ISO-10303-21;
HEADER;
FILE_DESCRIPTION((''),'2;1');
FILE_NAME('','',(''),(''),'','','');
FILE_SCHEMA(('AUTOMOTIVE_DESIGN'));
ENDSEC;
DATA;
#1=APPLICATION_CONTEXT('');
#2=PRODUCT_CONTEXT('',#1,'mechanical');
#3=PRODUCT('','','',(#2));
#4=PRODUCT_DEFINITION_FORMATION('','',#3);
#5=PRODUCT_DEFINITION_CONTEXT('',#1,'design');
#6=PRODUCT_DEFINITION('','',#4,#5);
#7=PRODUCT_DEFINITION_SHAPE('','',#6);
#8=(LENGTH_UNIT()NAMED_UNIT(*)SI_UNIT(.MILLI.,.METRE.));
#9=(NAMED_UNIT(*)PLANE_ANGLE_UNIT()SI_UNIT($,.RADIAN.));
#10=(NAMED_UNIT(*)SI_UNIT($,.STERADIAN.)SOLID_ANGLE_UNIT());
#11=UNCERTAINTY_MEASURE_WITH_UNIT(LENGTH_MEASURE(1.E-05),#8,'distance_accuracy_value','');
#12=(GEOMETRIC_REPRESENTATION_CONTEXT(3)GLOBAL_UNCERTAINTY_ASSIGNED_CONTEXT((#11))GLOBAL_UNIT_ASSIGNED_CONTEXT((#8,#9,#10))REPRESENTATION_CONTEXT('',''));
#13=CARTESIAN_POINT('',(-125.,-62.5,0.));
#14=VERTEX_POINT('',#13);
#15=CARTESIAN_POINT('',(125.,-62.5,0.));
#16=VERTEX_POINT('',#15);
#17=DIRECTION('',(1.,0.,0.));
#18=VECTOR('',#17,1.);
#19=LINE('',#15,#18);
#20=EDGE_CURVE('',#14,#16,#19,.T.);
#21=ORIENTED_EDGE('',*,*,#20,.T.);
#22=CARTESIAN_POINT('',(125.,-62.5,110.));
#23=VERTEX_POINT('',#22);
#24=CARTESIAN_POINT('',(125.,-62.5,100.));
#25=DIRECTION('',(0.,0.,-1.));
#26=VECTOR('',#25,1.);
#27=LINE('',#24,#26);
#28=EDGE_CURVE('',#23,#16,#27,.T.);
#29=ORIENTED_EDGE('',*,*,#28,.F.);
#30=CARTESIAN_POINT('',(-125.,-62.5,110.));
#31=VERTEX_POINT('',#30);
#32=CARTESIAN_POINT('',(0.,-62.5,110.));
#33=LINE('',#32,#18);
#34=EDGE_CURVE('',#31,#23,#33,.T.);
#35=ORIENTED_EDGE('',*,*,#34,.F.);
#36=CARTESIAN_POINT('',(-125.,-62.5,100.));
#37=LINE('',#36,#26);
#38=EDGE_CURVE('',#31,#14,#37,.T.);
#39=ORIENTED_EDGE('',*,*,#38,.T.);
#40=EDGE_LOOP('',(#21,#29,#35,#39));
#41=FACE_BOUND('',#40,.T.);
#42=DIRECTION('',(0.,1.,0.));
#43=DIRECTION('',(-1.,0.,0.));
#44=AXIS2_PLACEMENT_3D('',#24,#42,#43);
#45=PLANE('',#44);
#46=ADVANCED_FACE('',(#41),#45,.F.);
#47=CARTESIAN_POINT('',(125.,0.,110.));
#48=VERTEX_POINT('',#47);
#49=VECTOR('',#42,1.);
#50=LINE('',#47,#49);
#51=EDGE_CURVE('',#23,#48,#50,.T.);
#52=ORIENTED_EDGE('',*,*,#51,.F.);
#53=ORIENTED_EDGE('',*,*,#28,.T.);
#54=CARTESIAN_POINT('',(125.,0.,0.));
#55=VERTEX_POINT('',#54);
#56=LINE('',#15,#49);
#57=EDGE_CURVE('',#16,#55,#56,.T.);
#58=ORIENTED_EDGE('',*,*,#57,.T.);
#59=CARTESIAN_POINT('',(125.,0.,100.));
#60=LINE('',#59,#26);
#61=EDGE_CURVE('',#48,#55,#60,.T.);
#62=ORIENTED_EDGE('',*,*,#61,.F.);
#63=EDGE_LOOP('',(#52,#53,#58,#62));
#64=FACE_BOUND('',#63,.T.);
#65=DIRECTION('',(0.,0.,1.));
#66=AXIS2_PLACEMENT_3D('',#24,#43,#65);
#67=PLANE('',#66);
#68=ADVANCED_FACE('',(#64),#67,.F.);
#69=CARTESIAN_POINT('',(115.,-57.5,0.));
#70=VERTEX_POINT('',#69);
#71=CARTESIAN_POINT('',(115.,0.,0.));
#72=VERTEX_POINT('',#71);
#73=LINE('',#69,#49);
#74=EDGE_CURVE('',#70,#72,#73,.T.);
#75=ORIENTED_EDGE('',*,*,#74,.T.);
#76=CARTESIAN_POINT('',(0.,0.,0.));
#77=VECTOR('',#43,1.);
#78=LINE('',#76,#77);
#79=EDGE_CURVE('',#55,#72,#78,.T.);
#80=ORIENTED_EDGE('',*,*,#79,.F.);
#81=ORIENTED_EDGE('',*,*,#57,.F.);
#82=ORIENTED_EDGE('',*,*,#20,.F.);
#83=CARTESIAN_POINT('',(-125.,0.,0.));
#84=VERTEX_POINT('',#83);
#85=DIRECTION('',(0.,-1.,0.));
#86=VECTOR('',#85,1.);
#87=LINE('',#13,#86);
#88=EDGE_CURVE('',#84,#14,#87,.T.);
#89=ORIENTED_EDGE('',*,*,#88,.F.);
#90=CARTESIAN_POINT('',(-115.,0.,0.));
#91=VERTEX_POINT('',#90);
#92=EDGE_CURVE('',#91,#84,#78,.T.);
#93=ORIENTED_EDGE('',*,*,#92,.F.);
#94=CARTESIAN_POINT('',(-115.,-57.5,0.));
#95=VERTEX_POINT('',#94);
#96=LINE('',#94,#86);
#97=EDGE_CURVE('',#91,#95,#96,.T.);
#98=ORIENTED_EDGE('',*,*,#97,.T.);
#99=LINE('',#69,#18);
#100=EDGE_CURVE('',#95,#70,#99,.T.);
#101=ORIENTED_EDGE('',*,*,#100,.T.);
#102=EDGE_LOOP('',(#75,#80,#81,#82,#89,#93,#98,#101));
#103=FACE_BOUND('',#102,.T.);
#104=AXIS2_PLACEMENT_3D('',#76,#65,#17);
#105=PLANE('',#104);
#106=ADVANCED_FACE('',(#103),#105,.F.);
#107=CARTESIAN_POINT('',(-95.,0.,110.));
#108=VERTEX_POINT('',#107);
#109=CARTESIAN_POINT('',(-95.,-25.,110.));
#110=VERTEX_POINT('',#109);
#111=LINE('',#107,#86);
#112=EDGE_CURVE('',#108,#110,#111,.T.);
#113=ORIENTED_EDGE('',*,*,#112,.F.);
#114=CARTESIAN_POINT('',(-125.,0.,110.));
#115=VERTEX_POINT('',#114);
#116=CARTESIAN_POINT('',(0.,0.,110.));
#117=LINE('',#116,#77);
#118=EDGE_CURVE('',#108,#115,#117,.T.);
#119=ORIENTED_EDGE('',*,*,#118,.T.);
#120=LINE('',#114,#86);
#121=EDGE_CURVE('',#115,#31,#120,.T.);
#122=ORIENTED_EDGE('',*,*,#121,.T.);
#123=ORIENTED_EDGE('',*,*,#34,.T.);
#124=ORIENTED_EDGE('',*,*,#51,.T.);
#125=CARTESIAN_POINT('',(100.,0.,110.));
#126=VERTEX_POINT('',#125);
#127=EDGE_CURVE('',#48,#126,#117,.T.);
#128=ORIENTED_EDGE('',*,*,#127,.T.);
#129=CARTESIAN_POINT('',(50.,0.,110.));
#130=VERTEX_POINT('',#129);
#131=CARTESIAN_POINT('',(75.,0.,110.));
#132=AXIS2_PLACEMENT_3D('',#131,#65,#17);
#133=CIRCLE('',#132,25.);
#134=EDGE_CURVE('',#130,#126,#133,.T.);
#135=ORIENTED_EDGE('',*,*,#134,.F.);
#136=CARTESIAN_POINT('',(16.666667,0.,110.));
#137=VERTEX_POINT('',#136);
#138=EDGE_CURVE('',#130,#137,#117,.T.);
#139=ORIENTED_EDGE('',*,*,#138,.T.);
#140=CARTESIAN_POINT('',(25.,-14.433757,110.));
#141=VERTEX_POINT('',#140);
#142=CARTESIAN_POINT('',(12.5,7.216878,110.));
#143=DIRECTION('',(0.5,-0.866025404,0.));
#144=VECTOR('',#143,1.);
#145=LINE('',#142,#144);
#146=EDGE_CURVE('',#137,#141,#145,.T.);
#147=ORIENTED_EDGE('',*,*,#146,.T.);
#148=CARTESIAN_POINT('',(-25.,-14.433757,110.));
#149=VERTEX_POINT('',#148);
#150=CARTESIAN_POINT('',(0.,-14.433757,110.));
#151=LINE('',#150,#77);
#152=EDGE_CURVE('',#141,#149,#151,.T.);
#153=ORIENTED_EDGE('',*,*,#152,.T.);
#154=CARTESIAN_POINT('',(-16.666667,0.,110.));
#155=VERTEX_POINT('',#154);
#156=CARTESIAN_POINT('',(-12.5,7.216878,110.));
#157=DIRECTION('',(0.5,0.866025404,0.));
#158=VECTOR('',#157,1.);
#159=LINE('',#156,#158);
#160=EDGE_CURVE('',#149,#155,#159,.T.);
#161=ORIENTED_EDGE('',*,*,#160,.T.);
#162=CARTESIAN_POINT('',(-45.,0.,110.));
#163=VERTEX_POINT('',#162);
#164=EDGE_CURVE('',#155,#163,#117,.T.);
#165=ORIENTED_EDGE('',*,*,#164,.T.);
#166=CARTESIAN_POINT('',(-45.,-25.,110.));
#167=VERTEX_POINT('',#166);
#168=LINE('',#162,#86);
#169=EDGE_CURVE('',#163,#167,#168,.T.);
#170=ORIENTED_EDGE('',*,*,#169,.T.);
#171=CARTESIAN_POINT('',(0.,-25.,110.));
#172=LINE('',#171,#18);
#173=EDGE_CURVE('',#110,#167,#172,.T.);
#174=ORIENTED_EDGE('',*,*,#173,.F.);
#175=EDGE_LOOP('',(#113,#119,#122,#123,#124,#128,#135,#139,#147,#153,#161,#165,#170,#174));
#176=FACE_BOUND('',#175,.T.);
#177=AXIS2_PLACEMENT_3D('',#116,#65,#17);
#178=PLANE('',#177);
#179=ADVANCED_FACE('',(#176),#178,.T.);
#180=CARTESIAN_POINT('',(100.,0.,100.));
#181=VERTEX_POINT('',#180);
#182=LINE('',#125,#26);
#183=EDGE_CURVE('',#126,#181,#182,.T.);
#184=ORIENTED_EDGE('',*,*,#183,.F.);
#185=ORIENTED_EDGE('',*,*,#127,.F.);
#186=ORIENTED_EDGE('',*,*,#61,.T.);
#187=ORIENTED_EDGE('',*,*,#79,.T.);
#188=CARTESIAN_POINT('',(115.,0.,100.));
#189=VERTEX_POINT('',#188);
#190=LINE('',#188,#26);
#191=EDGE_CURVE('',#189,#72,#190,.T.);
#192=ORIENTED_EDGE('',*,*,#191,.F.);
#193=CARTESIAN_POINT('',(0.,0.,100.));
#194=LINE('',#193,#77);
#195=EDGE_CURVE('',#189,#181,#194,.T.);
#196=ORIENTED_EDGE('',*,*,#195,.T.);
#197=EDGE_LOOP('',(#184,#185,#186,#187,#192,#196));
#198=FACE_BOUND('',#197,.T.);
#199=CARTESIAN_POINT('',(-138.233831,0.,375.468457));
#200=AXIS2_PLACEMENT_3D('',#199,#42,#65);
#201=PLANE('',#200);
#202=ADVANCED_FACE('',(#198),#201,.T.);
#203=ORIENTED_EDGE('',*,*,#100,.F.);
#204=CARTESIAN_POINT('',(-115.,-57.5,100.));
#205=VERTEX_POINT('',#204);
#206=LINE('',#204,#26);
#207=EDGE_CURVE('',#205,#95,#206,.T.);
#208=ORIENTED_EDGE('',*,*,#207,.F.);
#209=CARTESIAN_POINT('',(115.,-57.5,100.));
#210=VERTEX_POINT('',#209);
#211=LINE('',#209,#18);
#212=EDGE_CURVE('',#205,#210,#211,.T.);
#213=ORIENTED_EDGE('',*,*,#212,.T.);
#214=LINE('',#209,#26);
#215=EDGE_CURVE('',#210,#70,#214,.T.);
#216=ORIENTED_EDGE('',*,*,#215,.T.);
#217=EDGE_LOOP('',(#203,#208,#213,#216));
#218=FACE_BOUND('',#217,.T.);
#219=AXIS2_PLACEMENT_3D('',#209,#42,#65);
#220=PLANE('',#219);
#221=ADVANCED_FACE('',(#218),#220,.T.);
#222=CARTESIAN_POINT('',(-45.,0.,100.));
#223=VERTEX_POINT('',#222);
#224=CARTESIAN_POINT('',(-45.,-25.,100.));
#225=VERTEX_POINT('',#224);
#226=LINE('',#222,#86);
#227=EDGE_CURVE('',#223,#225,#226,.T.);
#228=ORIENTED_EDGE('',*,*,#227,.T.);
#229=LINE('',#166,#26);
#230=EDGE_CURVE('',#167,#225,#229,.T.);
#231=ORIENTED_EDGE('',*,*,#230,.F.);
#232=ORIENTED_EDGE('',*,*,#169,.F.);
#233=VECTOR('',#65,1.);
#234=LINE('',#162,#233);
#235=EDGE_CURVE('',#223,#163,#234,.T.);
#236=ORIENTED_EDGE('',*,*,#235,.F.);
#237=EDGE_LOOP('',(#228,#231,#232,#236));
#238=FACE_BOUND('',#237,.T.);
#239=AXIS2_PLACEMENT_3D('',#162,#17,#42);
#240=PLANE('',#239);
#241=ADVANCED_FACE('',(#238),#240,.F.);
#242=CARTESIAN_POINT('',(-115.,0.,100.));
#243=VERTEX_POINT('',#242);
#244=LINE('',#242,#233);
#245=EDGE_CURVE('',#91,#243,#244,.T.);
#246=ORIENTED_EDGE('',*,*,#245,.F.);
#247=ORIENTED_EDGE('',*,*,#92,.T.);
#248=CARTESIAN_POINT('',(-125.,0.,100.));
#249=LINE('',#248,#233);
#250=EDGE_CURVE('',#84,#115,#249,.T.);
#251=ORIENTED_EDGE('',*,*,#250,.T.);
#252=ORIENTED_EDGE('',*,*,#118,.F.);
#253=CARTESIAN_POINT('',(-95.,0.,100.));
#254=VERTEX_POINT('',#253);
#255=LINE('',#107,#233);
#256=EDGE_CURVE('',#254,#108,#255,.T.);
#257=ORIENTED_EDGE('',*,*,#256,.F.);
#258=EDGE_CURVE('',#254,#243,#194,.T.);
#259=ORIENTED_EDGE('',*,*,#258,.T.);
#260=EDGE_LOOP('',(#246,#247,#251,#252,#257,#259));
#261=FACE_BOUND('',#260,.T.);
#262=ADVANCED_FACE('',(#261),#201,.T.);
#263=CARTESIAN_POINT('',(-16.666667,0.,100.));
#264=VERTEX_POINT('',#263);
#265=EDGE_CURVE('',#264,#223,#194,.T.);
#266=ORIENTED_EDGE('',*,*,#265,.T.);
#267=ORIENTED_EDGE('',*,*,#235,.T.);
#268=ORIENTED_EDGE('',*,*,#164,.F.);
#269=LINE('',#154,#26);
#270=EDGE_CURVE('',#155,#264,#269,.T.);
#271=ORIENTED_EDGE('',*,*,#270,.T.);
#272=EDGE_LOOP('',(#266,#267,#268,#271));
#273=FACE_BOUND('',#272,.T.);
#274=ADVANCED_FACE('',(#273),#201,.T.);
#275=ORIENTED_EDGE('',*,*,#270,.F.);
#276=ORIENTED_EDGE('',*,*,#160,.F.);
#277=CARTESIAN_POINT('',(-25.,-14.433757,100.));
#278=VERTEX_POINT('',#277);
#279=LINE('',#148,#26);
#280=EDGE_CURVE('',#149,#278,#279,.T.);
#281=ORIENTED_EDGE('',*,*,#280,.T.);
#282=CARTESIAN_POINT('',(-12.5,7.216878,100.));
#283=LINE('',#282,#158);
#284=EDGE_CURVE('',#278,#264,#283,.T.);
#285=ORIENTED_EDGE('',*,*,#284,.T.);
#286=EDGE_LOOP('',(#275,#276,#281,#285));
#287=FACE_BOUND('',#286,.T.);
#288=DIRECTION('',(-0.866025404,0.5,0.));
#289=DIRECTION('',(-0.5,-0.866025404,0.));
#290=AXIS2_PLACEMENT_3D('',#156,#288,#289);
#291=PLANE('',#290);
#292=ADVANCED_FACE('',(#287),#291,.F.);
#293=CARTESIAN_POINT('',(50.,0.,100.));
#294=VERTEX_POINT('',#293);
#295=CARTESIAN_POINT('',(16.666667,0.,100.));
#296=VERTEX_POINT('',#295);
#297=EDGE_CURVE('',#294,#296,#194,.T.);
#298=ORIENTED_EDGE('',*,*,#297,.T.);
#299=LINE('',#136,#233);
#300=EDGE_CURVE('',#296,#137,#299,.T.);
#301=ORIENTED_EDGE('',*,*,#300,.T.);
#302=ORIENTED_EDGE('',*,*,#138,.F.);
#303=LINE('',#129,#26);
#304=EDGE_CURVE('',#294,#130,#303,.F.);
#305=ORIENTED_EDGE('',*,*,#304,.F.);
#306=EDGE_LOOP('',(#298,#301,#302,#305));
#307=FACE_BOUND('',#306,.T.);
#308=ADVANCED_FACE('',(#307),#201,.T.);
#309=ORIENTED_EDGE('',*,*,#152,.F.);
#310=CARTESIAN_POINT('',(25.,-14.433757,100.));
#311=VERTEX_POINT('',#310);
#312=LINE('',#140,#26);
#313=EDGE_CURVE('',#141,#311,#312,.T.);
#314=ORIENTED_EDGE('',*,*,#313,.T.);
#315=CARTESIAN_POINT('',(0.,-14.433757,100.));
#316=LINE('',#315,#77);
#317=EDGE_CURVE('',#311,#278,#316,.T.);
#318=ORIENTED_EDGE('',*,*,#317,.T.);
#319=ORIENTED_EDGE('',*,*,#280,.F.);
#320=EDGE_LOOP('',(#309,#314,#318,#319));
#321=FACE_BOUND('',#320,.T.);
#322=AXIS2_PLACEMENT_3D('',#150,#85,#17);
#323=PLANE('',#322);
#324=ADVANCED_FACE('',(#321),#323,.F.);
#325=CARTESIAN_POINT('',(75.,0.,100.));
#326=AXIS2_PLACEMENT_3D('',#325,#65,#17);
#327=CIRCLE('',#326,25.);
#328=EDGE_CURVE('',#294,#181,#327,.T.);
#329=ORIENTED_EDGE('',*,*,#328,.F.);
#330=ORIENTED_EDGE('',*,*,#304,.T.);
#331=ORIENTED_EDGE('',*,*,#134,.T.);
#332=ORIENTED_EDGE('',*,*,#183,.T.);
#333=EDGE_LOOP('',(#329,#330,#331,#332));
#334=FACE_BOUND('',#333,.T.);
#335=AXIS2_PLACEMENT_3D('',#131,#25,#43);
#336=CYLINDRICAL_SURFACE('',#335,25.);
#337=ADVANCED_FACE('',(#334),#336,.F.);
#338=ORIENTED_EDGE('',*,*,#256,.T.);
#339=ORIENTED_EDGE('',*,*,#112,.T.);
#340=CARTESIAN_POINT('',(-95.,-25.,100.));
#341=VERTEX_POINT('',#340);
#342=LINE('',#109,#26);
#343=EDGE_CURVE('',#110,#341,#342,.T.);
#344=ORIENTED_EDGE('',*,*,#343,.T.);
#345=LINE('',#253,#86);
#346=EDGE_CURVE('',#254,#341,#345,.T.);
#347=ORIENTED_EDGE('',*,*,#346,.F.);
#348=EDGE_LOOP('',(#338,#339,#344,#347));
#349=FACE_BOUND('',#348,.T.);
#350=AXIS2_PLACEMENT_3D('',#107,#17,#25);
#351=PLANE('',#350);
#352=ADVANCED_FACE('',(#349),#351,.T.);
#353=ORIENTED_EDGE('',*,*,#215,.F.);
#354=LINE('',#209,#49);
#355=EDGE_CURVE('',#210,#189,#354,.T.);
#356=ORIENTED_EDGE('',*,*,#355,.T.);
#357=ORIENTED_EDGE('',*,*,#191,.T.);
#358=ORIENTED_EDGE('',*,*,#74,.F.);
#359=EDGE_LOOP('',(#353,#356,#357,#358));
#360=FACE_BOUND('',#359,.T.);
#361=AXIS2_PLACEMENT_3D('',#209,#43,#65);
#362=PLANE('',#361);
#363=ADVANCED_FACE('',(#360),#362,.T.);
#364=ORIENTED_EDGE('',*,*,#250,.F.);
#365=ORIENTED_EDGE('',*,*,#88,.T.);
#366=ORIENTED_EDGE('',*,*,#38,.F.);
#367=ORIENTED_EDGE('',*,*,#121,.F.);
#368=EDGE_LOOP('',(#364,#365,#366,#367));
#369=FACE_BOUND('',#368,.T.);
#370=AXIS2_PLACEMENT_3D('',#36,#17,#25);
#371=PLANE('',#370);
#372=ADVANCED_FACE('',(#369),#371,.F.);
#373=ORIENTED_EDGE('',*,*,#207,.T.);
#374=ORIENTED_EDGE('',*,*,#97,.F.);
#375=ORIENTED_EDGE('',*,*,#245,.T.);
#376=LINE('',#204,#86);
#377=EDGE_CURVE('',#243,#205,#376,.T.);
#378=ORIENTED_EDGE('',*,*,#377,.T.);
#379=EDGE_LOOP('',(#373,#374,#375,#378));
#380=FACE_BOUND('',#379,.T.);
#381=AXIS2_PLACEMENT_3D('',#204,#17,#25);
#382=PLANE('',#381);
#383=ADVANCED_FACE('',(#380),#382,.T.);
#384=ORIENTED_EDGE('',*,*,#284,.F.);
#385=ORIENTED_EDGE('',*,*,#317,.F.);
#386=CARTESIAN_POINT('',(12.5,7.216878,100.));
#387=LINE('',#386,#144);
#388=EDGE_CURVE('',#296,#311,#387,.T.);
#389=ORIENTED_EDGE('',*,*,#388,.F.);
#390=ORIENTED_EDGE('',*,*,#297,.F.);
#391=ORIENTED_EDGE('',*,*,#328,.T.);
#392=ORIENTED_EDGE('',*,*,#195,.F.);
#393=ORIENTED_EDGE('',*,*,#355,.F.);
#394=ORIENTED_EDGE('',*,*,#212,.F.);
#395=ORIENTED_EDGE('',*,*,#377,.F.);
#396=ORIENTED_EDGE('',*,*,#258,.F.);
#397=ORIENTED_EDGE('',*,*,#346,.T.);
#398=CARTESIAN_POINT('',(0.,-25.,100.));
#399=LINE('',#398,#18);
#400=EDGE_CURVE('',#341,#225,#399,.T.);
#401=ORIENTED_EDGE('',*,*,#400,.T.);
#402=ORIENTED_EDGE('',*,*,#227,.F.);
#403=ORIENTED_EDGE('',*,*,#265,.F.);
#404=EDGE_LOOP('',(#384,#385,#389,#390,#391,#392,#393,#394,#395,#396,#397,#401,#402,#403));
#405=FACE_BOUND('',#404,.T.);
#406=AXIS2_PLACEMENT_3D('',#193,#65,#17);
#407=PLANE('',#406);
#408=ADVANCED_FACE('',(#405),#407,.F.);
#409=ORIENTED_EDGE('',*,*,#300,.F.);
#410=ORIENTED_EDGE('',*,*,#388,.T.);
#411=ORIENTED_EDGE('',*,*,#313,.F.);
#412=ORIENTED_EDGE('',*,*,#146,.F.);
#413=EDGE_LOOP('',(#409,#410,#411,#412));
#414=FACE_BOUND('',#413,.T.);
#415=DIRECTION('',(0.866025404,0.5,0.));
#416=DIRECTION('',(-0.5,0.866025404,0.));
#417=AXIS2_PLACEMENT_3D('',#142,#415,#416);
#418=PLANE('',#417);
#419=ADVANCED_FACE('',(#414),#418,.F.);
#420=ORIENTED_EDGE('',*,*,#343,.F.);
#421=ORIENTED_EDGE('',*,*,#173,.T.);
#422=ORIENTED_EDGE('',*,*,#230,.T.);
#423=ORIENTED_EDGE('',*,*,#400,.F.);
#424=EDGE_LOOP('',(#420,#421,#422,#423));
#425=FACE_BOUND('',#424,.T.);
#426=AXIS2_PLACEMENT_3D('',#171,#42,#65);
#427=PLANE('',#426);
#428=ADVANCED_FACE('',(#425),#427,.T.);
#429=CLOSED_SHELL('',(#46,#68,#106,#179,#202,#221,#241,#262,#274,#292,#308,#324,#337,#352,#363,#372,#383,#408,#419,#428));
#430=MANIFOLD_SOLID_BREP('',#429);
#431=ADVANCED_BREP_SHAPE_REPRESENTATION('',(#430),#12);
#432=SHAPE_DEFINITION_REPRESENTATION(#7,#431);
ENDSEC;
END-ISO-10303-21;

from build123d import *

# Parameters (mm, degrees)
SKETCH1_W               = 250
SKETCH1_H               = 125
SKETCH1_W_2             = 230
SKETCH1_H_2             = 115
BOSS_EXTRUDE1_DEPTH     = 100
SKETCH3_W               = 250
SKETCH3_H               = 125
SKETCH3_W_2             = 230
SKETCH3_H_2             = 115
SKETCH3_R               = 25
SKETCH3_W_3             = 50
SKETCH3_H_3             = 50
BOSS_EXTRUDE4_DEPTH     = 10
CUT_EXTRUDE1_DEPTH      = 178.851764118
CUT_EXTRUDE1_DEPTH_BACK = 178.851764118


with BuildPart() as part:
    # Sketch1 → Boss-Extrude1 (new body)
    with BuildSketch(Plane.XY):
        Rectangle(SKETCH1_W, SKETCH1_H)
        Rectangle(SKETCH1_W_2, SKETCH1_H_2, mode=Mode.SUBTRACT)
    extrude(amount=BOSS_EXTRUDE1_DEPTH)

    # Sketch3 → Boss-Extrude4 (add)
    # profile 1 of 2: a face of its own
    with BuildSketch(Plane.XY.offset(100)):
        Rectangle(SKETCH3_W, SKETCH3_H)
        Rectangle(SKETCH3_W_2, SKETCH3_H_2, mode=Mode.SUBTRACT)
    # profile 2 of 2: a face of its own
    with BuildSketch(Plane.XY.offset(100)):
        Rectangle(SKETCH3_W_2, SKETCH3_H_2)
        with Locations((75, 0)):
            Circle(SKETCH3_R, mode=Mode.SUBTRACT)
        with Locations((-70, 0)):
            Rectangle(SKETCH3_W_3, SKETCH3_H_3, mode=Mode.SUBTRACT)
        Polygon((0, 28.867513459), (25, -14.43375673), (-25, -14.43375673), align=None, mode=Mode.SUBTRACT)
    extrude(amount=BOSS_EXTRUDE4_DEPTH)

    # Sketch4 → Cut-Extrude1 (cut, two sides: drawn at the far end of the back side and taken through both)
    with BuildSketch(Plane.XY.offset(-CUT_EXTRUDE1_DEPTH_BACK)):
        Polygon((-709.844547741, 0), (-138.233831443, 0), (148.761573573, 0), (720.372289871, 0), (720.372289871, 1143.221432596), (-709.844547741, 1143.221432596), align=None)
    extrude(amount=CUT_EXTRUDE1_DEPTH + CUT_EXTRUDE1_DEPTH_BACK, mode=Mode.SUBTRACT)


solid = part.part
